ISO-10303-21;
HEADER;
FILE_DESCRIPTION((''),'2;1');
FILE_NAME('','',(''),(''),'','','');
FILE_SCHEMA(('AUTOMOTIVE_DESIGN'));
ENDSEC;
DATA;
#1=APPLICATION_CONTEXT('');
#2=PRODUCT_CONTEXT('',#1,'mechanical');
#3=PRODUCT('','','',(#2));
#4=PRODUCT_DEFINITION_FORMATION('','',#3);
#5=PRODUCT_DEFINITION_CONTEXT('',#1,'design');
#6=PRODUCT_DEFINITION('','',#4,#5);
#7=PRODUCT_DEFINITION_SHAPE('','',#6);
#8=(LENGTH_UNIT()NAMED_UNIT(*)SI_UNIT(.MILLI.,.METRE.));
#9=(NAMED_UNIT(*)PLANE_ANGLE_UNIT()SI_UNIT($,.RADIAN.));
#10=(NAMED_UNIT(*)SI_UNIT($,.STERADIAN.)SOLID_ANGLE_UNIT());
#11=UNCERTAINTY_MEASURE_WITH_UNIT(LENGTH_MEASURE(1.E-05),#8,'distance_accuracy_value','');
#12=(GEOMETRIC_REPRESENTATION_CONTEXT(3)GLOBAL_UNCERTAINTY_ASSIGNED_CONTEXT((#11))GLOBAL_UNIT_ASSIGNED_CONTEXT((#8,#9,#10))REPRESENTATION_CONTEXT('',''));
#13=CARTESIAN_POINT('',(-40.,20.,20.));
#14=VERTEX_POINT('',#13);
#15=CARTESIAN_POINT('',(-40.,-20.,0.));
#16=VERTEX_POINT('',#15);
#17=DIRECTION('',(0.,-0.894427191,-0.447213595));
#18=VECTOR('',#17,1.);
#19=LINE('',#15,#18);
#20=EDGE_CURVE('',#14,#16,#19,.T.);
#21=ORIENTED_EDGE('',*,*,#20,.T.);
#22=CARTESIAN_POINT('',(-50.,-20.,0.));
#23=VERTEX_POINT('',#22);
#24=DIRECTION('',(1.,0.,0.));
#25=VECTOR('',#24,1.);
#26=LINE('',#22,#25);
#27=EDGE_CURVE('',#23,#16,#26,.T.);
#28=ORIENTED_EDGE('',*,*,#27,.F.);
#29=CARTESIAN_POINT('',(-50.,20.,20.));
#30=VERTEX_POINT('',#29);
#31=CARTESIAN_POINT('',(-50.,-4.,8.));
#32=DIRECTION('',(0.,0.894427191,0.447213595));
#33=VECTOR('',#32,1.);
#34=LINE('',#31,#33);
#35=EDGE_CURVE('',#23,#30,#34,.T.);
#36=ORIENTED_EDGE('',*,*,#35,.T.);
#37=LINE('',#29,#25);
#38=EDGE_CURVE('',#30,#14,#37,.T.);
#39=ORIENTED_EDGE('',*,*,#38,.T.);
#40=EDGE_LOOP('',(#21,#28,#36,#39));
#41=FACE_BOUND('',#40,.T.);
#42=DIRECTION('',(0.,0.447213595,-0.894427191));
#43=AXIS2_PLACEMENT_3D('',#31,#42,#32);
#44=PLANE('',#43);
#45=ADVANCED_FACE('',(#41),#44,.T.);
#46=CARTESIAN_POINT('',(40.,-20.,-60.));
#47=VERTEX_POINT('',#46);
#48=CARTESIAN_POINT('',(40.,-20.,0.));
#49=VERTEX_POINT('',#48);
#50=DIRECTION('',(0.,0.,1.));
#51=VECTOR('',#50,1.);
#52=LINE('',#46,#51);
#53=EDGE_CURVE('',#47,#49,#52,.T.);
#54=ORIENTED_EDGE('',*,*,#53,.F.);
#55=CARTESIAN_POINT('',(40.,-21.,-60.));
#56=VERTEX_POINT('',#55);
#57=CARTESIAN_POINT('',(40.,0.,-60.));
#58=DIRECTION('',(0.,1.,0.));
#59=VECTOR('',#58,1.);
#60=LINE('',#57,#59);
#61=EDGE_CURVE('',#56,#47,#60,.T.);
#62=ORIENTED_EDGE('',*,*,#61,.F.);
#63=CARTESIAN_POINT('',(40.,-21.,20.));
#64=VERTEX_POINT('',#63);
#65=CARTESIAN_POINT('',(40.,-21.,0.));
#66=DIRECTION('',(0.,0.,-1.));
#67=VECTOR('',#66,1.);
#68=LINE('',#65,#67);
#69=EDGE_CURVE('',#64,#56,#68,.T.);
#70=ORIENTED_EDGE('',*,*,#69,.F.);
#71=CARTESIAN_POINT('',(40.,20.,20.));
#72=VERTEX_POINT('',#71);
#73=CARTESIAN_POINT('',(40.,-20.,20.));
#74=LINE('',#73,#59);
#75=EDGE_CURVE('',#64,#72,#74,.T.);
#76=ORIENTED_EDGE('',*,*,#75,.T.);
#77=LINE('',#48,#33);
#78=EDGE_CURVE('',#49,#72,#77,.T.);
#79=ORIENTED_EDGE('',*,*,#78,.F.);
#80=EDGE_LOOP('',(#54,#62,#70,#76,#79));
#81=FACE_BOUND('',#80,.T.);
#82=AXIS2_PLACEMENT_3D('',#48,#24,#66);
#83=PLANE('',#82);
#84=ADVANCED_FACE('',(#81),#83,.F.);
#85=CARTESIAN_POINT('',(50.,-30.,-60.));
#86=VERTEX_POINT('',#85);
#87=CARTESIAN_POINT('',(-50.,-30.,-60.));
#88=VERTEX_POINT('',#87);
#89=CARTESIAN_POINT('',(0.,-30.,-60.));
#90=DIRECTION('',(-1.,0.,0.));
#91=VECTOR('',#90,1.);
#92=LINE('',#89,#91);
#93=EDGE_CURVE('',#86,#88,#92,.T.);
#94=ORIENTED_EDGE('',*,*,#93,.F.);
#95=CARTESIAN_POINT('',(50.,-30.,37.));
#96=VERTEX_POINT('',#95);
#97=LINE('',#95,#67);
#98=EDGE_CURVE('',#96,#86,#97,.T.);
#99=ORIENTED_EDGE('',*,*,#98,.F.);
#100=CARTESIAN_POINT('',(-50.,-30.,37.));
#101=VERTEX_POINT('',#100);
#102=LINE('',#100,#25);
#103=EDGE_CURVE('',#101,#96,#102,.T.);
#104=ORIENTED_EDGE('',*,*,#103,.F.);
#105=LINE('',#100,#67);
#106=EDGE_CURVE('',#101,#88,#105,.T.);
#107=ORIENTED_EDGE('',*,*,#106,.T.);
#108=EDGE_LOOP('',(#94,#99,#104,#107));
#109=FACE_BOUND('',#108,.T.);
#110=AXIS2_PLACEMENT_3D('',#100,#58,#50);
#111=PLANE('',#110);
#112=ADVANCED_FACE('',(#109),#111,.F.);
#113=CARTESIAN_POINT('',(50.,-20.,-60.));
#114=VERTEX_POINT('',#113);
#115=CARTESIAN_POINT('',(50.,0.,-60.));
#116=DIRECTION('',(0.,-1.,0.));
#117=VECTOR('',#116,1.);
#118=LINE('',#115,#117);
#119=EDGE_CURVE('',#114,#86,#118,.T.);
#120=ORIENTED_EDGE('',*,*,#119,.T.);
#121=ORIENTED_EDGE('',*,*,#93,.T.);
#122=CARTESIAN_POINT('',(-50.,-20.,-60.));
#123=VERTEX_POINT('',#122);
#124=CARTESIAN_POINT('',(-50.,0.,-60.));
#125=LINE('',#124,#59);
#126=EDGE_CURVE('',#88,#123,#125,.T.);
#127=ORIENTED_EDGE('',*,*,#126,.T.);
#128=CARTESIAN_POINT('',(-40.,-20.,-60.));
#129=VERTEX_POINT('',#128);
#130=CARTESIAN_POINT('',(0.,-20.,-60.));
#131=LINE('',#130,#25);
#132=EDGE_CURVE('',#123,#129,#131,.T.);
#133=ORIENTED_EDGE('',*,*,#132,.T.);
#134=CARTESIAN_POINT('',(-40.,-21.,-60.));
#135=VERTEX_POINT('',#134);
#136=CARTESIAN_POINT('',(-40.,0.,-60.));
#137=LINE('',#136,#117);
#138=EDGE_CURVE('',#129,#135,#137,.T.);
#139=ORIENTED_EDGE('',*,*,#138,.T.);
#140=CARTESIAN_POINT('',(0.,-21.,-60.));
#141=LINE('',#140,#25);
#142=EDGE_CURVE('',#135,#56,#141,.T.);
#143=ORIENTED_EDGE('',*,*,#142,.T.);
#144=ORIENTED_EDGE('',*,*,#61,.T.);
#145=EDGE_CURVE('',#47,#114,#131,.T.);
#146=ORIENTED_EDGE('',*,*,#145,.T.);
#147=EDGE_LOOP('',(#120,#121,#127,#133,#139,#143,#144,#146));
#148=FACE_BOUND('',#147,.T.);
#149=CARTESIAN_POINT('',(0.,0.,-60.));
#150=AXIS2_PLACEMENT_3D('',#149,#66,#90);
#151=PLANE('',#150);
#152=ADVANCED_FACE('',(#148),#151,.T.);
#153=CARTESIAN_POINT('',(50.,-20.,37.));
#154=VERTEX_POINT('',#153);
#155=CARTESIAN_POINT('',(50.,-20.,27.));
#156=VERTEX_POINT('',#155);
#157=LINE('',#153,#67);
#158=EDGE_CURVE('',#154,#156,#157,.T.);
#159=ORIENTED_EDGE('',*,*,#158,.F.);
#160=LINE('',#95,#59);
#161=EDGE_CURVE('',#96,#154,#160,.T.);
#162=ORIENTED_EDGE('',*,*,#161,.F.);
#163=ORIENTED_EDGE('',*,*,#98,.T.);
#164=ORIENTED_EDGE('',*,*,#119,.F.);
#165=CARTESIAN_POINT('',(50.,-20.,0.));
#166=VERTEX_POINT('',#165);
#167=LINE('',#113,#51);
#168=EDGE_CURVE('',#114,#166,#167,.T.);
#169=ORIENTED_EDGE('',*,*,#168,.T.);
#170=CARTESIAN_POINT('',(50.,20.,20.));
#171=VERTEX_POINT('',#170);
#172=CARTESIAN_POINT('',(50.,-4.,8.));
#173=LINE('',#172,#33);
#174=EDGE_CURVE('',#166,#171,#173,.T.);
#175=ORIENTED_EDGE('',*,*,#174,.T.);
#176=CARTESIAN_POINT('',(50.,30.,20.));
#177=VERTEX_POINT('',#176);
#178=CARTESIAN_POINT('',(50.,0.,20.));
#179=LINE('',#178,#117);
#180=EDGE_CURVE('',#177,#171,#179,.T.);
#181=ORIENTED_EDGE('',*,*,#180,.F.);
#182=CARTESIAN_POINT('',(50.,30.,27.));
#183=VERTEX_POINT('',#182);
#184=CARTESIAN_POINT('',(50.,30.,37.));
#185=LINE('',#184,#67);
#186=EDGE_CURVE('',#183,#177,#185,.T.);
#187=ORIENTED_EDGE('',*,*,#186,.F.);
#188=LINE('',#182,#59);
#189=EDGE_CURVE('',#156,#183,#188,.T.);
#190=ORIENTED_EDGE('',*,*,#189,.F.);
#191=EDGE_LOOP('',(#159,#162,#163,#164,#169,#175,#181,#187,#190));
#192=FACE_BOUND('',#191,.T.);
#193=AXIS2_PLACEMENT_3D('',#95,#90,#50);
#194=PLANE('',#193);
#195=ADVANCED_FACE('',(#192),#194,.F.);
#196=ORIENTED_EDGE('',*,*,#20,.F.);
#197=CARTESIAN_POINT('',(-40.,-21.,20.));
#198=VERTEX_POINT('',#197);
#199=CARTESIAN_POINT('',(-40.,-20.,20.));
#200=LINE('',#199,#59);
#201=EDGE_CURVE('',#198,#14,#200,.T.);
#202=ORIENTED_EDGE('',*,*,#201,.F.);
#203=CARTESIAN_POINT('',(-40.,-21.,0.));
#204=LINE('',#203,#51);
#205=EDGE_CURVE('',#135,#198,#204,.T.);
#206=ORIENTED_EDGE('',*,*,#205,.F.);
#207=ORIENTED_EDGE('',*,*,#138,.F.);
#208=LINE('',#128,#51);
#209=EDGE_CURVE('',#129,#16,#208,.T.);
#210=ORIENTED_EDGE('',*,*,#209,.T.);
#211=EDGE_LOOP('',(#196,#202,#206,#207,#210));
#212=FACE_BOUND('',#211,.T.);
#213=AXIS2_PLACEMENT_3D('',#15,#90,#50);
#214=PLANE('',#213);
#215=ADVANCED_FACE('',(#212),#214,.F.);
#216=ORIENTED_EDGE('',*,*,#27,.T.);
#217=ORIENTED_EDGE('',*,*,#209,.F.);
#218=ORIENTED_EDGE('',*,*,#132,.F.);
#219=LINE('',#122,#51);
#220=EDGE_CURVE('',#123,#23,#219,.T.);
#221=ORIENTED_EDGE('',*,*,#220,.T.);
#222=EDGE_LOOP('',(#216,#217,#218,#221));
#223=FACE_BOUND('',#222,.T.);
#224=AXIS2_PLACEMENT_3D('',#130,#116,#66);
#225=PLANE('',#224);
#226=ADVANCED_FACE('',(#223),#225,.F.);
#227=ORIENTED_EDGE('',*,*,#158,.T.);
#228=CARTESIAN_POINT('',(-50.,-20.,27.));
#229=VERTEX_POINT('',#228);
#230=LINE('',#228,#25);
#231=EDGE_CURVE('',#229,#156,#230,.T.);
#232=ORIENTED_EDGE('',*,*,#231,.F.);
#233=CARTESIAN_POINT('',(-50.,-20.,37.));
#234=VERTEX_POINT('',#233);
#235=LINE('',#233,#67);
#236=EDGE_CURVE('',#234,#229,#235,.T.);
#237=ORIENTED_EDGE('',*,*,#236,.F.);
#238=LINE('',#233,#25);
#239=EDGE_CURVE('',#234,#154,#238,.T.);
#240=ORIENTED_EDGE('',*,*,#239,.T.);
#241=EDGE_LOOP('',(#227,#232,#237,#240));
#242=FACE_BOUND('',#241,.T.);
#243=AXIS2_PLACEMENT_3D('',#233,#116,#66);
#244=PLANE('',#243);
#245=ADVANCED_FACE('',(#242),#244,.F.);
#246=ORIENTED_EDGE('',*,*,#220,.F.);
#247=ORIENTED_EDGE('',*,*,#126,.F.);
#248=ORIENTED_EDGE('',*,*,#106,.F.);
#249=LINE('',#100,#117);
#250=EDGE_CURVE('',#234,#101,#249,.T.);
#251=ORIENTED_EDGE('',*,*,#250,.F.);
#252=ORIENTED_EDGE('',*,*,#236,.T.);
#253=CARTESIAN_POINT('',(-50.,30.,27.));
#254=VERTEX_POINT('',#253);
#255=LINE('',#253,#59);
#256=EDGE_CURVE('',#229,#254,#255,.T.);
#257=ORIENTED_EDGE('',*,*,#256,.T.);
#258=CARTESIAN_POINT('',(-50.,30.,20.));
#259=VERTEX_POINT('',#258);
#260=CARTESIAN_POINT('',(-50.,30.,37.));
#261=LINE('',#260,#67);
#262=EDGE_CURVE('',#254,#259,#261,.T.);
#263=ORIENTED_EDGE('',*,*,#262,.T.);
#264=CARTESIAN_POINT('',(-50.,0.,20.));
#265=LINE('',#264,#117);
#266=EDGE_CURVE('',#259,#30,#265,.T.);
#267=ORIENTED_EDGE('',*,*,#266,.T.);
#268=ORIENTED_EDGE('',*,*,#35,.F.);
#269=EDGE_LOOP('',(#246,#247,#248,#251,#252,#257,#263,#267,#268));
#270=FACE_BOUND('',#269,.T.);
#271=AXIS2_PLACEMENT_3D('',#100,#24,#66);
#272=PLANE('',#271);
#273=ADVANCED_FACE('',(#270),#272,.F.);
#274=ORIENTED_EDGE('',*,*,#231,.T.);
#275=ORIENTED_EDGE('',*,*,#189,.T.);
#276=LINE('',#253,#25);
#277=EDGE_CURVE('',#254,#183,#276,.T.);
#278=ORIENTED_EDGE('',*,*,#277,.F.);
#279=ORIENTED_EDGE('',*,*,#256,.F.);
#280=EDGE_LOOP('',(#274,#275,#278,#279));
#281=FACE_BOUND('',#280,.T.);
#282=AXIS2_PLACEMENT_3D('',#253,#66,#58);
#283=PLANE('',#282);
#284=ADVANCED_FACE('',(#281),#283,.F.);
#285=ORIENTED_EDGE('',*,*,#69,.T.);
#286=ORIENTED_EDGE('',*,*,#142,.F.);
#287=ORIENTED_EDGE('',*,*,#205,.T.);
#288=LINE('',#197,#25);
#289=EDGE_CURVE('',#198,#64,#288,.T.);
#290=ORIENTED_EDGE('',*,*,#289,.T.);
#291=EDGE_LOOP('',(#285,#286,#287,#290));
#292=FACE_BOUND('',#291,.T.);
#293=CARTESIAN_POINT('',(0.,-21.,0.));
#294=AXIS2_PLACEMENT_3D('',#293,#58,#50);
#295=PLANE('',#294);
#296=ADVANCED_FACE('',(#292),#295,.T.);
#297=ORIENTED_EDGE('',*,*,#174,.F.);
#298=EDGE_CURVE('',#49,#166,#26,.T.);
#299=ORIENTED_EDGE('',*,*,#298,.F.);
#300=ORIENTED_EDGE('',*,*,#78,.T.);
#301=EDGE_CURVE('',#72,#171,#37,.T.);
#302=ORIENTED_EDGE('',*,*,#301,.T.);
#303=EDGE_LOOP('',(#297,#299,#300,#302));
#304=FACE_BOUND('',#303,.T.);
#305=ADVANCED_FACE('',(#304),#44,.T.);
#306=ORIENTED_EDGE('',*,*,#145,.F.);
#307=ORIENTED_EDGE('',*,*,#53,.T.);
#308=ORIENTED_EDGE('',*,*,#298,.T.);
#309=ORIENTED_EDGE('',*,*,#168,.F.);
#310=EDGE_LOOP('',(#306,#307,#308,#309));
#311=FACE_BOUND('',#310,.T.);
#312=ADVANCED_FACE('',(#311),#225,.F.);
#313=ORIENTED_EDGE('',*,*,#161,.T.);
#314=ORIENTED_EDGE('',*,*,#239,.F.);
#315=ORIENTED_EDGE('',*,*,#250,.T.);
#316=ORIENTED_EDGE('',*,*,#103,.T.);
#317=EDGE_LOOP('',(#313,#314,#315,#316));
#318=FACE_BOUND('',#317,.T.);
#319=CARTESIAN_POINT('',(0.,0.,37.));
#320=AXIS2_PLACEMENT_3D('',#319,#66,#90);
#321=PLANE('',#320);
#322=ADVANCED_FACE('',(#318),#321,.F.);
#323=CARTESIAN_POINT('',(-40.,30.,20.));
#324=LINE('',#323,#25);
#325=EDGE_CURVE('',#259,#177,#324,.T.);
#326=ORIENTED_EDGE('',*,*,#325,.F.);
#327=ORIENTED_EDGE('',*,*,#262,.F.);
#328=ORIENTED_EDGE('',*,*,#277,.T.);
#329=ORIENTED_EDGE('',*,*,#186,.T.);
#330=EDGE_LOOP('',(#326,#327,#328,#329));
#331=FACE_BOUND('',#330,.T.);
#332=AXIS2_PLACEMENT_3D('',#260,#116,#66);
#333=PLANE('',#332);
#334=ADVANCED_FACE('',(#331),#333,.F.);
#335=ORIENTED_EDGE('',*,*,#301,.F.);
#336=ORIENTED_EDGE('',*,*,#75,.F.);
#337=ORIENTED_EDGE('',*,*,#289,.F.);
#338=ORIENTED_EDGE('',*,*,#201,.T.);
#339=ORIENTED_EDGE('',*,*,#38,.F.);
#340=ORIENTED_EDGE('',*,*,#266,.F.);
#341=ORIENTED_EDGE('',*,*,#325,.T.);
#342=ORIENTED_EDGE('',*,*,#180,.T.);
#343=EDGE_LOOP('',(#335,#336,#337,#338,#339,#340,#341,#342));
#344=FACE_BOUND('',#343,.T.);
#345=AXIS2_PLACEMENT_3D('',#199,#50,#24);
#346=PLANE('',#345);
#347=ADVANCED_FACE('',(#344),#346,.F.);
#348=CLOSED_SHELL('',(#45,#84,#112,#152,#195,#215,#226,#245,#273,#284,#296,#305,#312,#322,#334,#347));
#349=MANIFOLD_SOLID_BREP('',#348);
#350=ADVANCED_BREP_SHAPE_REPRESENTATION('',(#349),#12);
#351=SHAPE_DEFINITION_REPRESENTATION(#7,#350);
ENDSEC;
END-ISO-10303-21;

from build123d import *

# Parameters (mm, degrees)
SKETCH_1_W          = 100
SKETCH_1_H          = 60
EXTRUDE_1_DEPTH     = 37
SKETCH_2_W          = 10
SKETCH_2_H          = 50
CUT_EXTRUDE_1_DEPTH = 111.7655181
SKETCH_3_W          = 80
SKETCH_3_H          = 20
CUT_EXTRUDE_2_DEPTH = 50
CUT_EXTRUDE_3_DEPTH = 111.7655181
SKETCH_5_W          = 80
SKETCH_5_H          = 20
CUT_EXTRUDE_4_DEPTH = 1
EXTRUDE_2_DEPTH     = 60


with BuildPart() as part:
    # 草图1 → 凸台-拉伸1 (new body)
    with BuildSketch(Plane.XY):
        Rectangle(SKETCH_1_W, SKETCH_1_H)
    extrude(amount=EXTRUDE_1_DEPTH)

    # 草图2 → 切除-拉伸1 (cut, through all)
    with BuildSketch(Plane(origin=(50, 0, 0), x_dir=(0, 0, -1), z_dir=(1, 0, 0))):
        with Locations((-32, 5)):
            Rectangle(SKETCH_2_W, SKETCH_2_H)
    extrude(amount=-CUT_EXTRUDE_1_DEPTH, mode=Mode.SUBTRACT)

    # 草图3 → 切除-拉伸2 (cut)
    with BuildSketch(Plane(origin=(0, 30, 0), x_dir=(1, 0, 0), z_dir=(0, 1, 0))):
        with Locations((0, -10)):
            Rectangle(SKETCH_3_W, SKETCH_3_H)
    extrude(amount=-CUT_EXTRUDE_2_DEPTH, mode=Mode.SUBTRACT)

    # 草图4 → 切除-拉伸3 (cut, through all)
    with BuildSketch(Plane(origin=(50, 0, 0), x_dir=(0, 0, -1), z_dir=(1, 0, 0))):
        Polygon((0, 30), (-20, 30), (-20, 20), (0, -20), align=None)
    extrude(amount=-CUT_EXTRUDE_3_DEPTH, mode=Mode.SUBTRACT)

    # 草图5 → 切除-拉伸4 (cut)
    with BuildSketch(Plane(origin=(0, -20, 0), x_dir=(1, 0, 0), z_dir=(0, 1, 0))):
        with Locations((0, -10)):
            Rectangle(SKETCH_5_W, SKETCH_5_H)
    extrude(amount=-CUT_EXTRUDE_4_DEPTH, mode=Mode.SUBTRACT)

    # 草图7 → 凸台-拉伸2 (add)
    with BuildSketch(Plane(origin=(0, 0, 0), x_dir=(-1, 0, 0), z_dir=(0, 0, -1))):
        Polygon((50, -20), (40, -20), (40, -21), (-40, -21), (-40, -20), (-50, -20), (-50, -30), (50, -30), align=None)
    extrude(amount=EXTRUDE_2_DEPTH)


solid = part.part
